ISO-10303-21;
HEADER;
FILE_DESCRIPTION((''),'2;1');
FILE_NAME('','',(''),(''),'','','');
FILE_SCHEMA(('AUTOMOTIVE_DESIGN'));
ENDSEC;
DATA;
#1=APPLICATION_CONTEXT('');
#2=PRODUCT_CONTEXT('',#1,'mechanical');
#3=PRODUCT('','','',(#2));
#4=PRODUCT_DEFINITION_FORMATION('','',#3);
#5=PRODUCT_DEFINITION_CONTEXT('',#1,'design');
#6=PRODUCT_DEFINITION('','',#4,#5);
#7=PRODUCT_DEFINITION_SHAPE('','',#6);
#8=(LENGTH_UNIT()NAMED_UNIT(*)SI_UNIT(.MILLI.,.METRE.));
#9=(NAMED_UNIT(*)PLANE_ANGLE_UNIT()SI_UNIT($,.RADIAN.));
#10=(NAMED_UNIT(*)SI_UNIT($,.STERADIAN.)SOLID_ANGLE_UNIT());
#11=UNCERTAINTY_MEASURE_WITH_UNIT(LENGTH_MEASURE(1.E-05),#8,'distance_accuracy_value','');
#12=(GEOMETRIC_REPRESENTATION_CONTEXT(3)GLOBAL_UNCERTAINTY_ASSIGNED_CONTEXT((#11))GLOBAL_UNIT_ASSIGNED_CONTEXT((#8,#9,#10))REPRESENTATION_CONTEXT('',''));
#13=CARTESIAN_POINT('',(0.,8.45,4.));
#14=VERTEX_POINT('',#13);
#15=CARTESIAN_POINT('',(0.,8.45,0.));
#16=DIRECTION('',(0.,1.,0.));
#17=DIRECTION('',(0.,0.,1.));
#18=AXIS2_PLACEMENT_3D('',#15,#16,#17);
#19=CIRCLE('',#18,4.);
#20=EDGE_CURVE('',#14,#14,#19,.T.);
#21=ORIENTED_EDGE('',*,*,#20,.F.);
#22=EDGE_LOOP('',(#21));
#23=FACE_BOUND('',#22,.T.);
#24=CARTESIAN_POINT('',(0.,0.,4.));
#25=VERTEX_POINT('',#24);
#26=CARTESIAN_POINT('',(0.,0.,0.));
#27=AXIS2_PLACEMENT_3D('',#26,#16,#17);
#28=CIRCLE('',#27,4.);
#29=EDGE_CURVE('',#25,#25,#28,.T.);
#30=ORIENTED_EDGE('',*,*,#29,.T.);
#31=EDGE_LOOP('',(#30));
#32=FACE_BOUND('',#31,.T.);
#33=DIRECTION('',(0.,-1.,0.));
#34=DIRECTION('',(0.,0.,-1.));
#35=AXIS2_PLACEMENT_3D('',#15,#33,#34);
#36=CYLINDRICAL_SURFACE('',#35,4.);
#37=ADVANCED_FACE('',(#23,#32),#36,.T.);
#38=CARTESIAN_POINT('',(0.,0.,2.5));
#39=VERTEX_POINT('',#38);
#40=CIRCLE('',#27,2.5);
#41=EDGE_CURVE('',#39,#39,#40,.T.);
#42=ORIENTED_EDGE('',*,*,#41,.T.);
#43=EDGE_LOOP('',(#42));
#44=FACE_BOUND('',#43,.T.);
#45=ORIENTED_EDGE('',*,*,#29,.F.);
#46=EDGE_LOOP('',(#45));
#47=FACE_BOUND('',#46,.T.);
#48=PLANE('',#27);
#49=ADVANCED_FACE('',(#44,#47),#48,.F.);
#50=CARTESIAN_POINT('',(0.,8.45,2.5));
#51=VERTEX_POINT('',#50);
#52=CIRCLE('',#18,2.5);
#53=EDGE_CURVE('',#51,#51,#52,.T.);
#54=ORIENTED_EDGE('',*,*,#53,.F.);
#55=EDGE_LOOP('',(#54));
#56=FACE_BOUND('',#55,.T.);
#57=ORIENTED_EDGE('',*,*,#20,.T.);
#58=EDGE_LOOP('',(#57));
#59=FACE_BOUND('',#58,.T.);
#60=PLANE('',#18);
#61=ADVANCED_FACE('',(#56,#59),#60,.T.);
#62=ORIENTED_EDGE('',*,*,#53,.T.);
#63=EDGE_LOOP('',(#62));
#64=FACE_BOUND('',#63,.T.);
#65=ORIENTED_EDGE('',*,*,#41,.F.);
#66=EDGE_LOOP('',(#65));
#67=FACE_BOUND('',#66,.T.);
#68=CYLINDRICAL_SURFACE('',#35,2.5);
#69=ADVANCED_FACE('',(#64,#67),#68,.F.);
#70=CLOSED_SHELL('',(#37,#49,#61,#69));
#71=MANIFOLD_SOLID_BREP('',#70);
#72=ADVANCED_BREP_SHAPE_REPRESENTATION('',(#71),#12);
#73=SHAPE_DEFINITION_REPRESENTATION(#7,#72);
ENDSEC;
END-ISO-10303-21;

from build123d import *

# Parameters (mm, degrees)
SKETCH1_R           = 4
SKETCH1_R_2         = 2.5
BOSS_EXTRUDE1_DEPTH = 8.45


with BuildPart() as part:
    # Sketch1 → Boss-Extrude1 (new body)
    with BuildSketch(Plane(origin=(0, 0, 0), x_dir=(1, 0, 0), z_dir=(0, 1, 0))):
        Circle(SKETCH1_R)
        Circle(SKETCH1_R_2, mode=Mode.SUBTRACT)
    extrude(amount=BOSS_EXTRUDE1_DEPTH)


solid = part.part
